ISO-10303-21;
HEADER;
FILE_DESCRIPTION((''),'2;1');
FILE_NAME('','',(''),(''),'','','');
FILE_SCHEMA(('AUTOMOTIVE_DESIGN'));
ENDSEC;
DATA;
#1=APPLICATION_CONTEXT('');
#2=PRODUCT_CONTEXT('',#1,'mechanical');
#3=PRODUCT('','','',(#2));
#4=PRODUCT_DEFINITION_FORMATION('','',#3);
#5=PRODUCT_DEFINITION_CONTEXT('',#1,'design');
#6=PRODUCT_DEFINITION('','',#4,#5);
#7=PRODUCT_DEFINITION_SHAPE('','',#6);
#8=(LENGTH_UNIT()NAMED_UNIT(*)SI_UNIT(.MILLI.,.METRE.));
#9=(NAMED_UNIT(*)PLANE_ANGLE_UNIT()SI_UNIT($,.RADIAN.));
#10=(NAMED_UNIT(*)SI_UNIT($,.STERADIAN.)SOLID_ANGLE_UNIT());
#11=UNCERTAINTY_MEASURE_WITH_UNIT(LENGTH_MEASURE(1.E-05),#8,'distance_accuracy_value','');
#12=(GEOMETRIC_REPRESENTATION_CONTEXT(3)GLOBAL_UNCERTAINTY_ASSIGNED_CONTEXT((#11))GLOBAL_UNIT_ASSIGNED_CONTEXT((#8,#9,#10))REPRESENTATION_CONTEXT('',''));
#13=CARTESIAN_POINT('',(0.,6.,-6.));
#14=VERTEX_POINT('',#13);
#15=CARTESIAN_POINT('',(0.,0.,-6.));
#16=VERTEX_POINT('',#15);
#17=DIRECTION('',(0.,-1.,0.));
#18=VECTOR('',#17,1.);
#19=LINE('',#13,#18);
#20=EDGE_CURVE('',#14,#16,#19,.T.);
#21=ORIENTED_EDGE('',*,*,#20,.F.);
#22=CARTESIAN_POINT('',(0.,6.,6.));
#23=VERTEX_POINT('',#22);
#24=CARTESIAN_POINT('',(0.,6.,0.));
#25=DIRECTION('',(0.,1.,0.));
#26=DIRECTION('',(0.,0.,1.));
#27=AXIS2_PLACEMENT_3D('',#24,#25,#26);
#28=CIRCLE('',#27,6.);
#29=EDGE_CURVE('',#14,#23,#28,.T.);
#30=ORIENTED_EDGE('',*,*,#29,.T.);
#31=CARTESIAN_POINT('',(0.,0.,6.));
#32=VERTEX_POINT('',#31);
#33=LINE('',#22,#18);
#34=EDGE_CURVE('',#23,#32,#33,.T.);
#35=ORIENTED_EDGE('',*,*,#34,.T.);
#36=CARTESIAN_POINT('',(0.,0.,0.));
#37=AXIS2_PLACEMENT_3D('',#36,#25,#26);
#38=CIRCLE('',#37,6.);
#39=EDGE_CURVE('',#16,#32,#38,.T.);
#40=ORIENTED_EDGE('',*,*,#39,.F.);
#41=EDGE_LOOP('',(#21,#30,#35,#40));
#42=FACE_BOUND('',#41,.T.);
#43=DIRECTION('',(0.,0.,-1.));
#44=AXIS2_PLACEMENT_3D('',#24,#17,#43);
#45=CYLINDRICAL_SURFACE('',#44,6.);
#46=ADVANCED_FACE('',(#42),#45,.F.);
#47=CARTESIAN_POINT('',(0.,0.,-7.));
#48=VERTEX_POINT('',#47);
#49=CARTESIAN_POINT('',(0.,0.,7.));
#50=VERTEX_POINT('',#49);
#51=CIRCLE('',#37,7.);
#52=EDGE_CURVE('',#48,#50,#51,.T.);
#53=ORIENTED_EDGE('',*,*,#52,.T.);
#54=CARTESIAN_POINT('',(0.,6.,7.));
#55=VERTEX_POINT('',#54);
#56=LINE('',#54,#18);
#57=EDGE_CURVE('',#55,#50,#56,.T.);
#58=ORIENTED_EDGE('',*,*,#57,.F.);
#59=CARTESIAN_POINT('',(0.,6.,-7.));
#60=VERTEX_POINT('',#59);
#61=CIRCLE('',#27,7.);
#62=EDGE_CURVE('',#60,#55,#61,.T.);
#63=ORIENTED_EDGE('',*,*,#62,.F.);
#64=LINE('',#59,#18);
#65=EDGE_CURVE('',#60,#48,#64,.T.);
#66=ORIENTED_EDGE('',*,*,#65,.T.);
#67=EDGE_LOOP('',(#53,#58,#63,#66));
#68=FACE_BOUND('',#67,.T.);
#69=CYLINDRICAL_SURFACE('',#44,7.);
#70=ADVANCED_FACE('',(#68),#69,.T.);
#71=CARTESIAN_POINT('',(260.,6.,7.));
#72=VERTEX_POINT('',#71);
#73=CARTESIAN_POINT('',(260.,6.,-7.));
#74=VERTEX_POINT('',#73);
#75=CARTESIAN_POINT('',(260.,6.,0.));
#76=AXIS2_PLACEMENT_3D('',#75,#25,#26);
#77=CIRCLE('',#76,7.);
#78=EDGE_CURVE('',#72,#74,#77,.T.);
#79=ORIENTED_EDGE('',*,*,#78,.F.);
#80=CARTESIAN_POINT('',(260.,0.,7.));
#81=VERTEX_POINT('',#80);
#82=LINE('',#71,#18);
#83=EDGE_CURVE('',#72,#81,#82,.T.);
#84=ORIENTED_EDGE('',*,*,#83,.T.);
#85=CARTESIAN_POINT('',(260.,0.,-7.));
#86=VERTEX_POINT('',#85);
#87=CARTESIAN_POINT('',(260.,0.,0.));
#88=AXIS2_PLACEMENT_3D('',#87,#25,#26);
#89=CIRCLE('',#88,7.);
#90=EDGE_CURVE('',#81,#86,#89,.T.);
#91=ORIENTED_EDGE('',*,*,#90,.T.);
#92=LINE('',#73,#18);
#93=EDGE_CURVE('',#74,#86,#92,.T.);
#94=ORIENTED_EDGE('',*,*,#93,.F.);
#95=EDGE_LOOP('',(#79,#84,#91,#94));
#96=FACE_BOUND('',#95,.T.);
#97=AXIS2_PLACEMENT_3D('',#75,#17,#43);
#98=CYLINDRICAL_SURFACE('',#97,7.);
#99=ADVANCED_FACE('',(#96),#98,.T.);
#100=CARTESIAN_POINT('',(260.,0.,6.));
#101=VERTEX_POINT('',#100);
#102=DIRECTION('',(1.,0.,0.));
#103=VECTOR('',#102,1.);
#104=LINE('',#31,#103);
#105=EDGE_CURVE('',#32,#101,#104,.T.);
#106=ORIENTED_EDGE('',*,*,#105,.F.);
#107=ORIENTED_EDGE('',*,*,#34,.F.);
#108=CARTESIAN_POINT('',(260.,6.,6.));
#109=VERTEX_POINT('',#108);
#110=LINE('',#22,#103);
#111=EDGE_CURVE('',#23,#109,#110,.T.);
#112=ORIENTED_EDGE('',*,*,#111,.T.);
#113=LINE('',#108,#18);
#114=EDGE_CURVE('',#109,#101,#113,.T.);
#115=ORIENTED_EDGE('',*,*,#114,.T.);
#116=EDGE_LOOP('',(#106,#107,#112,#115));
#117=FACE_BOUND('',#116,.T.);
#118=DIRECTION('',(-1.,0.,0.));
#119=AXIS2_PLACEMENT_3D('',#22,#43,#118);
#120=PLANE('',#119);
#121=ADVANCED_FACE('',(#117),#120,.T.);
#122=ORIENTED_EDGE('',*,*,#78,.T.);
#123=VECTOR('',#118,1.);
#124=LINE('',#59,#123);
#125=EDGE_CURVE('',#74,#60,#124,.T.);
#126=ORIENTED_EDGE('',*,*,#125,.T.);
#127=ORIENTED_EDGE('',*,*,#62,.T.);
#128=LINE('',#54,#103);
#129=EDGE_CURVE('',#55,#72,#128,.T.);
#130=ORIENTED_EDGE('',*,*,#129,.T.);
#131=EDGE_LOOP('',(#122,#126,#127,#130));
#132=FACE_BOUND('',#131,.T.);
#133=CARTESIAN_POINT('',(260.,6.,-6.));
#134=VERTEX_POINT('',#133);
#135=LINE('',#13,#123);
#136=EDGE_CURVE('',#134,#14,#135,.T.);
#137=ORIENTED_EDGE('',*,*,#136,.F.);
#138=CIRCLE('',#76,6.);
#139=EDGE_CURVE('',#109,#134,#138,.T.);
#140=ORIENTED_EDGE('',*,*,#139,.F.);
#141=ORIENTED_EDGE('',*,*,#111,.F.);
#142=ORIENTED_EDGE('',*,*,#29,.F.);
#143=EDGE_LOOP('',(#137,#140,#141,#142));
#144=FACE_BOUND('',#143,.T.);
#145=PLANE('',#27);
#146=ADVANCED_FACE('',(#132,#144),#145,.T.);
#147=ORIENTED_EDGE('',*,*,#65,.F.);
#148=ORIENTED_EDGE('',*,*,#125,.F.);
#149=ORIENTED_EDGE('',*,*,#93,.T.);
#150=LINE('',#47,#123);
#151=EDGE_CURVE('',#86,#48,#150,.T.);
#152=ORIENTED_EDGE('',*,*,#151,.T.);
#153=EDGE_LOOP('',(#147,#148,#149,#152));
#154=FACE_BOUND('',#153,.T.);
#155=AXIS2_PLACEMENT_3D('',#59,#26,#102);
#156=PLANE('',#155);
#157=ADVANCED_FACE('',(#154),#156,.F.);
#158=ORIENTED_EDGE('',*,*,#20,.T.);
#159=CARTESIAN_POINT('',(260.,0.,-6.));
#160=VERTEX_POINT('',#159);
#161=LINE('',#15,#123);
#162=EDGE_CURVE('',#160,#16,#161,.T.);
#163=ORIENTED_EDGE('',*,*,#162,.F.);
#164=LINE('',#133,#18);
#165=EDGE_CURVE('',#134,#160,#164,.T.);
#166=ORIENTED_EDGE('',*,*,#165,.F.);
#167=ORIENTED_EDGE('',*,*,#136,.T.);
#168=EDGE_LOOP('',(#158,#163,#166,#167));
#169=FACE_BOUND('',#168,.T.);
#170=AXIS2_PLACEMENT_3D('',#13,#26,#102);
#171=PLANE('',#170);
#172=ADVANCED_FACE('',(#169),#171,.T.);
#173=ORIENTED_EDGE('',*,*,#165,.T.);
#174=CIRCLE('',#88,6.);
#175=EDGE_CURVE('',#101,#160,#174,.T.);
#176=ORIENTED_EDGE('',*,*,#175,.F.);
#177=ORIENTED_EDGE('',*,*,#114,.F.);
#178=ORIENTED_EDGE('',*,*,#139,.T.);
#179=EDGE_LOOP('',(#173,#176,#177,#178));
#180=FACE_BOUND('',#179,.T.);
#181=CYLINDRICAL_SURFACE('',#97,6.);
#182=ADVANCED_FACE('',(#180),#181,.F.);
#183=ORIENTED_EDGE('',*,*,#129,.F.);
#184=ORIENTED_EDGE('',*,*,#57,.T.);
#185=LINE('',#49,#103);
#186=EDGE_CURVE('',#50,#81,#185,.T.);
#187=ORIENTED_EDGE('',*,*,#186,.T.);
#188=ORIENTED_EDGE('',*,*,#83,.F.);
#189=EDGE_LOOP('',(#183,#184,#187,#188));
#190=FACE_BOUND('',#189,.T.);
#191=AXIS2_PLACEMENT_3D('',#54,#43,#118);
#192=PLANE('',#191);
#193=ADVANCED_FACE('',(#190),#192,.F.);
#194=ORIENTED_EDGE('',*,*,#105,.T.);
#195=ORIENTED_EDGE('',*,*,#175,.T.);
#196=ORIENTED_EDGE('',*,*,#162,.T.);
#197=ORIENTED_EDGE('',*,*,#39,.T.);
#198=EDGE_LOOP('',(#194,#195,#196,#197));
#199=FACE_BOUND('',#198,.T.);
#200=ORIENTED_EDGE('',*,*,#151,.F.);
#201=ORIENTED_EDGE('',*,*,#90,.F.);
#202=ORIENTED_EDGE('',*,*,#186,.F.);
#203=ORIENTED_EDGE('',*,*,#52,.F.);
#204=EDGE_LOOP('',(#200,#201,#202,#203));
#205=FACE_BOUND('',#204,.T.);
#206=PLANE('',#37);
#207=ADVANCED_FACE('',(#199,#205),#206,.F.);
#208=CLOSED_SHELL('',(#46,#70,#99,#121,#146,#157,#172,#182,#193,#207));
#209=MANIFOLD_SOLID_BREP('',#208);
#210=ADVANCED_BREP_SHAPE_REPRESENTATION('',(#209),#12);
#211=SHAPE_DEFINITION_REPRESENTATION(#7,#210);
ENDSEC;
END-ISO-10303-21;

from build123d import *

# Parameters (mm, degrees)
BOSS_EXTRUDE1_DEPTH = 6


with BuildPart() as part:
    # Sketch1 → Boss-Extrude1 (new body)
    with BuildSketch(Plane(origin=(0, 0, 0), x_dir=(1, 0, 0), z_dir=(0, 1, 0))):
        with BuildLine():
            Line((0, 7), (260, 7))
            ThreePointArc((260, 7), (267, 0), (260, -7))
            Line((260, -7), (0, -7))
            ThreePointArc((0, -7), (-7, 0), (0, 7))
        make_face()
        with BuildLine():
            Line((0, 6), (260, 6))
            ThreePointArc((260, 6), (266, 0), (260, -6))
            Line((260, -6), (0, -6))
            ThreePointArc((0, -6), (-6, 0), (0, 6))
        make_face(mode=Mode.SUBTRACT)
    extrude(amount=BOSS_EXTRUDE1_DEPTH)


solid = part.part
